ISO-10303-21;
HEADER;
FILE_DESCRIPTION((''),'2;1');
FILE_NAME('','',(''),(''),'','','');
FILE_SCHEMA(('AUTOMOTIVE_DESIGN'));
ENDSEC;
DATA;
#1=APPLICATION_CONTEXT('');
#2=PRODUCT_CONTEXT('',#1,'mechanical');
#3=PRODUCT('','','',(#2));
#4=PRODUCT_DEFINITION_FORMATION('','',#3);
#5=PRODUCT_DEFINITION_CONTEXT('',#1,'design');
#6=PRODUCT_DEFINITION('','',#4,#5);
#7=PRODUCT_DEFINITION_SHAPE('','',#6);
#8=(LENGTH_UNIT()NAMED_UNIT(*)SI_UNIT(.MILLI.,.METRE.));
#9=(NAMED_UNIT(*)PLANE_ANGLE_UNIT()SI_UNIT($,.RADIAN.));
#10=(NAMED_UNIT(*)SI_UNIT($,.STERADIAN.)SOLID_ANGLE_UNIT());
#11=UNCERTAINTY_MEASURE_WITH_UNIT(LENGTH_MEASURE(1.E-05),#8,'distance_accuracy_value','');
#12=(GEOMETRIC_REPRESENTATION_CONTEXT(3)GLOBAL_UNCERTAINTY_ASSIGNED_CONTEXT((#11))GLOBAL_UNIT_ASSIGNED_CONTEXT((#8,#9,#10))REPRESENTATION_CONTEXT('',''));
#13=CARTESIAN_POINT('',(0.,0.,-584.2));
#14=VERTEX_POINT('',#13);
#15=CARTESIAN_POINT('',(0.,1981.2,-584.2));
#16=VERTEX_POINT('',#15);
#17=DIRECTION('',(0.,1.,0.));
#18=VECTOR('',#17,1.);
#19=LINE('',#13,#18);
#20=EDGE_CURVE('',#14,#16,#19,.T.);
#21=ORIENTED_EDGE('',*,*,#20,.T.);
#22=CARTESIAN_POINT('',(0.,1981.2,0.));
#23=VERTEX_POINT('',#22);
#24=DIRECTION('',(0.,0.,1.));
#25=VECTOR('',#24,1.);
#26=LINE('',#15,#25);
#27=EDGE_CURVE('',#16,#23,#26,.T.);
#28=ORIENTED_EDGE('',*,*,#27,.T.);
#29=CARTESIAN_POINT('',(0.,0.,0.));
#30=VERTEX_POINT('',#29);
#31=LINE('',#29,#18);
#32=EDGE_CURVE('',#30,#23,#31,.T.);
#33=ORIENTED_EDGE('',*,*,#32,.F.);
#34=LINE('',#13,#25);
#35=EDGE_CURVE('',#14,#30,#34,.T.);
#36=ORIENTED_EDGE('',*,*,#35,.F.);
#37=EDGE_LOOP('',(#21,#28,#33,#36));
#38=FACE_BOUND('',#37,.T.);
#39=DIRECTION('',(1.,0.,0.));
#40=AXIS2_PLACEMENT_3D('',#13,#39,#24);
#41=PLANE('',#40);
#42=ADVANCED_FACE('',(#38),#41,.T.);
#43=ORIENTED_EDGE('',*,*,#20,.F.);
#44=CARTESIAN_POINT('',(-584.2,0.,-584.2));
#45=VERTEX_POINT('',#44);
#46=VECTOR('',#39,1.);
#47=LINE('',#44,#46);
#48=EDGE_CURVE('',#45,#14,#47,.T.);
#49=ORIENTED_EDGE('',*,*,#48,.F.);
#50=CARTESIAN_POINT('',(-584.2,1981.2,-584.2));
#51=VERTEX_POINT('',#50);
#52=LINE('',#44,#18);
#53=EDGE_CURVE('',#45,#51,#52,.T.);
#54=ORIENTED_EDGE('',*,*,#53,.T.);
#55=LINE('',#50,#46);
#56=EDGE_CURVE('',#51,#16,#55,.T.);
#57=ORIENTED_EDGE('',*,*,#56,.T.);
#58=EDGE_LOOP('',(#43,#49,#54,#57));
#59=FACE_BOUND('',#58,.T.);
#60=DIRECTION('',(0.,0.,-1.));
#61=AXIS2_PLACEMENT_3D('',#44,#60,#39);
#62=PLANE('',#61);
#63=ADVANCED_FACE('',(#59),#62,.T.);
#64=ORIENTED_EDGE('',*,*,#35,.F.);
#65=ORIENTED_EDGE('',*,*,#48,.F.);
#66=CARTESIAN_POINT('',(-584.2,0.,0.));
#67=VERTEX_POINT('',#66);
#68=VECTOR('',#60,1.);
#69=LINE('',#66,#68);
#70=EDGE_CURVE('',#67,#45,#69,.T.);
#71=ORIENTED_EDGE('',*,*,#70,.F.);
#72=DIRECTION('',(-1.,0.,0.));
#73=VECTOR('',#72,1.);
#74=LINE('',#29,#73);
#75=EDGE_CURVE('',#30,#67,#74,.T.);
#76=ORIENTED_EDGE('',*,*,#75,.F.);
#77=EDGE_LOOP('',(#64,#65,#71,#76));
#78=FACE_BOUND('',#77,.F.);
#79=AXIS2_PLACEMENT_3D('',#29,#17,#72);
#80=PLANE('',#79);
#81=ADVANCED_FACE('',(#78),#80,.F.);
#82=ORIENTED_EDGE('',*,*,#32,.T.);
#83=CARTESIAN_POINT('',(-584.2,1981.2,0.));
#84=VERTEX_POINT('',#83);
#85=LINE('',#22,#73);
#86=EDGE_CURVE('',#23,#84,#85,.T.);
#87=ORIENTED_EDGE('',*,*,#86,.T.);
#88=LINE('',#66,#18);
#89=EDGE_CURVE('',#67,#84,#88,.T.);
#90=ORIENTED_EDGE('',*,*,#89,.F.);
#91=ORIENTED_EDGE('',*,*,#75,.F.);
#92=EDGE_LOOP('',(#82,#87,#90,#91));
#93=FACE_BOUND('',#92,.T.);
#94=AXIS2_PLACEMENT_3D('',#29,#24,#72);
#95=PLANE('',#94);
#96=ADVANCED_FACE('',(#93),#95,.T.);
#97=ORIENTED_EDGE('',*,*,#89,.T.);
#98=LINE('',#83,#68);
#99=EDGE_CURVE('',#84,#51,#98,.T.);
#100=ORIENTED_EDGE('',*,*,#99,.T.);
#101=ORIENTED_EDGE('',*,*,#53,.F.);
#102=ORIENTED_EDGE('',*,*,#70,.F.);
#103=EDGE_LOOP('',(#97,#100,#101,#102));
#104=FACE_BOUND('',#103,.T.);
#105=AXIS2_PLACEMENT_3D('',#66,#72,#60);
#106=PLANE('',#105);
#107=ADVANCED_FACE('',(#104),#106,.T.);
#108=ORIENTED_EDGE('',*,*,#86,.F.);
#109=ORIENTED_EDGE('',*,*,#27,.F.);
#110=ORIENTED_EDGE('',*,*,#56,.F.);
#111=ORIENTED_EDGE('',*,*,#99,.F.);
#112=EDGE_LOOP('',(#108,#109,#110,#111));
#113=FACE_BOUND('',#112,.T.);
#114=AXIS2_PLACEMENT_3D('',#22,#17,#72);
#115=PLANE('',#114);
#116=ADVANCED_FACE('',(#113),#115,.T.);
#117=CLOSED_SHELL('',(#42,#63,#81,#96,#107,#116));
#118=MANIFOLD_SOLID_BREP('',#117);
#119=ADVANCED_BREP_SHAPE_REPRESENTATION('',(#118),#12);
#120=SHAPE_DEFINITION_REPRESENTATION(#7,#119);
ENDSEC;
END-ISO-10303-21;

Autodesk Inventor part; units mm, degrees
ref_plane "YZ Plane" through (0, 0, 0) normal (1, 0, 0) x (0, 1, 0)
ref_plane "XZ Plane" through (0, 0, 0) normal (0, 1, 0) x (-1, 0, 0)
ref_plane "XY Plane" through (0, 0, 0) normal (0, 0, 1) x (1, 0, 0)
sketch "Sketch1" plane through (0, 0, 0) normal (0, 1, 0) x (-1, 0, 0)
  line L0 (0, 0) -> (584.2, 0)
  line L1 (584.2, 0) -> (584.2, -584.2)
  line L2 (584.2, -584.2) -> (0, -584.2)
  line L3 (0, -584.2) -> (0, 0)
  dimension "d1" = 584.2
  dimension "d3" = 584.2
extrude "Extrusion1" add sketch "Sketch1" along normal blind 1981.2
properties part number "Radon_And_Sump_Systems" material "PVC-Piping"
